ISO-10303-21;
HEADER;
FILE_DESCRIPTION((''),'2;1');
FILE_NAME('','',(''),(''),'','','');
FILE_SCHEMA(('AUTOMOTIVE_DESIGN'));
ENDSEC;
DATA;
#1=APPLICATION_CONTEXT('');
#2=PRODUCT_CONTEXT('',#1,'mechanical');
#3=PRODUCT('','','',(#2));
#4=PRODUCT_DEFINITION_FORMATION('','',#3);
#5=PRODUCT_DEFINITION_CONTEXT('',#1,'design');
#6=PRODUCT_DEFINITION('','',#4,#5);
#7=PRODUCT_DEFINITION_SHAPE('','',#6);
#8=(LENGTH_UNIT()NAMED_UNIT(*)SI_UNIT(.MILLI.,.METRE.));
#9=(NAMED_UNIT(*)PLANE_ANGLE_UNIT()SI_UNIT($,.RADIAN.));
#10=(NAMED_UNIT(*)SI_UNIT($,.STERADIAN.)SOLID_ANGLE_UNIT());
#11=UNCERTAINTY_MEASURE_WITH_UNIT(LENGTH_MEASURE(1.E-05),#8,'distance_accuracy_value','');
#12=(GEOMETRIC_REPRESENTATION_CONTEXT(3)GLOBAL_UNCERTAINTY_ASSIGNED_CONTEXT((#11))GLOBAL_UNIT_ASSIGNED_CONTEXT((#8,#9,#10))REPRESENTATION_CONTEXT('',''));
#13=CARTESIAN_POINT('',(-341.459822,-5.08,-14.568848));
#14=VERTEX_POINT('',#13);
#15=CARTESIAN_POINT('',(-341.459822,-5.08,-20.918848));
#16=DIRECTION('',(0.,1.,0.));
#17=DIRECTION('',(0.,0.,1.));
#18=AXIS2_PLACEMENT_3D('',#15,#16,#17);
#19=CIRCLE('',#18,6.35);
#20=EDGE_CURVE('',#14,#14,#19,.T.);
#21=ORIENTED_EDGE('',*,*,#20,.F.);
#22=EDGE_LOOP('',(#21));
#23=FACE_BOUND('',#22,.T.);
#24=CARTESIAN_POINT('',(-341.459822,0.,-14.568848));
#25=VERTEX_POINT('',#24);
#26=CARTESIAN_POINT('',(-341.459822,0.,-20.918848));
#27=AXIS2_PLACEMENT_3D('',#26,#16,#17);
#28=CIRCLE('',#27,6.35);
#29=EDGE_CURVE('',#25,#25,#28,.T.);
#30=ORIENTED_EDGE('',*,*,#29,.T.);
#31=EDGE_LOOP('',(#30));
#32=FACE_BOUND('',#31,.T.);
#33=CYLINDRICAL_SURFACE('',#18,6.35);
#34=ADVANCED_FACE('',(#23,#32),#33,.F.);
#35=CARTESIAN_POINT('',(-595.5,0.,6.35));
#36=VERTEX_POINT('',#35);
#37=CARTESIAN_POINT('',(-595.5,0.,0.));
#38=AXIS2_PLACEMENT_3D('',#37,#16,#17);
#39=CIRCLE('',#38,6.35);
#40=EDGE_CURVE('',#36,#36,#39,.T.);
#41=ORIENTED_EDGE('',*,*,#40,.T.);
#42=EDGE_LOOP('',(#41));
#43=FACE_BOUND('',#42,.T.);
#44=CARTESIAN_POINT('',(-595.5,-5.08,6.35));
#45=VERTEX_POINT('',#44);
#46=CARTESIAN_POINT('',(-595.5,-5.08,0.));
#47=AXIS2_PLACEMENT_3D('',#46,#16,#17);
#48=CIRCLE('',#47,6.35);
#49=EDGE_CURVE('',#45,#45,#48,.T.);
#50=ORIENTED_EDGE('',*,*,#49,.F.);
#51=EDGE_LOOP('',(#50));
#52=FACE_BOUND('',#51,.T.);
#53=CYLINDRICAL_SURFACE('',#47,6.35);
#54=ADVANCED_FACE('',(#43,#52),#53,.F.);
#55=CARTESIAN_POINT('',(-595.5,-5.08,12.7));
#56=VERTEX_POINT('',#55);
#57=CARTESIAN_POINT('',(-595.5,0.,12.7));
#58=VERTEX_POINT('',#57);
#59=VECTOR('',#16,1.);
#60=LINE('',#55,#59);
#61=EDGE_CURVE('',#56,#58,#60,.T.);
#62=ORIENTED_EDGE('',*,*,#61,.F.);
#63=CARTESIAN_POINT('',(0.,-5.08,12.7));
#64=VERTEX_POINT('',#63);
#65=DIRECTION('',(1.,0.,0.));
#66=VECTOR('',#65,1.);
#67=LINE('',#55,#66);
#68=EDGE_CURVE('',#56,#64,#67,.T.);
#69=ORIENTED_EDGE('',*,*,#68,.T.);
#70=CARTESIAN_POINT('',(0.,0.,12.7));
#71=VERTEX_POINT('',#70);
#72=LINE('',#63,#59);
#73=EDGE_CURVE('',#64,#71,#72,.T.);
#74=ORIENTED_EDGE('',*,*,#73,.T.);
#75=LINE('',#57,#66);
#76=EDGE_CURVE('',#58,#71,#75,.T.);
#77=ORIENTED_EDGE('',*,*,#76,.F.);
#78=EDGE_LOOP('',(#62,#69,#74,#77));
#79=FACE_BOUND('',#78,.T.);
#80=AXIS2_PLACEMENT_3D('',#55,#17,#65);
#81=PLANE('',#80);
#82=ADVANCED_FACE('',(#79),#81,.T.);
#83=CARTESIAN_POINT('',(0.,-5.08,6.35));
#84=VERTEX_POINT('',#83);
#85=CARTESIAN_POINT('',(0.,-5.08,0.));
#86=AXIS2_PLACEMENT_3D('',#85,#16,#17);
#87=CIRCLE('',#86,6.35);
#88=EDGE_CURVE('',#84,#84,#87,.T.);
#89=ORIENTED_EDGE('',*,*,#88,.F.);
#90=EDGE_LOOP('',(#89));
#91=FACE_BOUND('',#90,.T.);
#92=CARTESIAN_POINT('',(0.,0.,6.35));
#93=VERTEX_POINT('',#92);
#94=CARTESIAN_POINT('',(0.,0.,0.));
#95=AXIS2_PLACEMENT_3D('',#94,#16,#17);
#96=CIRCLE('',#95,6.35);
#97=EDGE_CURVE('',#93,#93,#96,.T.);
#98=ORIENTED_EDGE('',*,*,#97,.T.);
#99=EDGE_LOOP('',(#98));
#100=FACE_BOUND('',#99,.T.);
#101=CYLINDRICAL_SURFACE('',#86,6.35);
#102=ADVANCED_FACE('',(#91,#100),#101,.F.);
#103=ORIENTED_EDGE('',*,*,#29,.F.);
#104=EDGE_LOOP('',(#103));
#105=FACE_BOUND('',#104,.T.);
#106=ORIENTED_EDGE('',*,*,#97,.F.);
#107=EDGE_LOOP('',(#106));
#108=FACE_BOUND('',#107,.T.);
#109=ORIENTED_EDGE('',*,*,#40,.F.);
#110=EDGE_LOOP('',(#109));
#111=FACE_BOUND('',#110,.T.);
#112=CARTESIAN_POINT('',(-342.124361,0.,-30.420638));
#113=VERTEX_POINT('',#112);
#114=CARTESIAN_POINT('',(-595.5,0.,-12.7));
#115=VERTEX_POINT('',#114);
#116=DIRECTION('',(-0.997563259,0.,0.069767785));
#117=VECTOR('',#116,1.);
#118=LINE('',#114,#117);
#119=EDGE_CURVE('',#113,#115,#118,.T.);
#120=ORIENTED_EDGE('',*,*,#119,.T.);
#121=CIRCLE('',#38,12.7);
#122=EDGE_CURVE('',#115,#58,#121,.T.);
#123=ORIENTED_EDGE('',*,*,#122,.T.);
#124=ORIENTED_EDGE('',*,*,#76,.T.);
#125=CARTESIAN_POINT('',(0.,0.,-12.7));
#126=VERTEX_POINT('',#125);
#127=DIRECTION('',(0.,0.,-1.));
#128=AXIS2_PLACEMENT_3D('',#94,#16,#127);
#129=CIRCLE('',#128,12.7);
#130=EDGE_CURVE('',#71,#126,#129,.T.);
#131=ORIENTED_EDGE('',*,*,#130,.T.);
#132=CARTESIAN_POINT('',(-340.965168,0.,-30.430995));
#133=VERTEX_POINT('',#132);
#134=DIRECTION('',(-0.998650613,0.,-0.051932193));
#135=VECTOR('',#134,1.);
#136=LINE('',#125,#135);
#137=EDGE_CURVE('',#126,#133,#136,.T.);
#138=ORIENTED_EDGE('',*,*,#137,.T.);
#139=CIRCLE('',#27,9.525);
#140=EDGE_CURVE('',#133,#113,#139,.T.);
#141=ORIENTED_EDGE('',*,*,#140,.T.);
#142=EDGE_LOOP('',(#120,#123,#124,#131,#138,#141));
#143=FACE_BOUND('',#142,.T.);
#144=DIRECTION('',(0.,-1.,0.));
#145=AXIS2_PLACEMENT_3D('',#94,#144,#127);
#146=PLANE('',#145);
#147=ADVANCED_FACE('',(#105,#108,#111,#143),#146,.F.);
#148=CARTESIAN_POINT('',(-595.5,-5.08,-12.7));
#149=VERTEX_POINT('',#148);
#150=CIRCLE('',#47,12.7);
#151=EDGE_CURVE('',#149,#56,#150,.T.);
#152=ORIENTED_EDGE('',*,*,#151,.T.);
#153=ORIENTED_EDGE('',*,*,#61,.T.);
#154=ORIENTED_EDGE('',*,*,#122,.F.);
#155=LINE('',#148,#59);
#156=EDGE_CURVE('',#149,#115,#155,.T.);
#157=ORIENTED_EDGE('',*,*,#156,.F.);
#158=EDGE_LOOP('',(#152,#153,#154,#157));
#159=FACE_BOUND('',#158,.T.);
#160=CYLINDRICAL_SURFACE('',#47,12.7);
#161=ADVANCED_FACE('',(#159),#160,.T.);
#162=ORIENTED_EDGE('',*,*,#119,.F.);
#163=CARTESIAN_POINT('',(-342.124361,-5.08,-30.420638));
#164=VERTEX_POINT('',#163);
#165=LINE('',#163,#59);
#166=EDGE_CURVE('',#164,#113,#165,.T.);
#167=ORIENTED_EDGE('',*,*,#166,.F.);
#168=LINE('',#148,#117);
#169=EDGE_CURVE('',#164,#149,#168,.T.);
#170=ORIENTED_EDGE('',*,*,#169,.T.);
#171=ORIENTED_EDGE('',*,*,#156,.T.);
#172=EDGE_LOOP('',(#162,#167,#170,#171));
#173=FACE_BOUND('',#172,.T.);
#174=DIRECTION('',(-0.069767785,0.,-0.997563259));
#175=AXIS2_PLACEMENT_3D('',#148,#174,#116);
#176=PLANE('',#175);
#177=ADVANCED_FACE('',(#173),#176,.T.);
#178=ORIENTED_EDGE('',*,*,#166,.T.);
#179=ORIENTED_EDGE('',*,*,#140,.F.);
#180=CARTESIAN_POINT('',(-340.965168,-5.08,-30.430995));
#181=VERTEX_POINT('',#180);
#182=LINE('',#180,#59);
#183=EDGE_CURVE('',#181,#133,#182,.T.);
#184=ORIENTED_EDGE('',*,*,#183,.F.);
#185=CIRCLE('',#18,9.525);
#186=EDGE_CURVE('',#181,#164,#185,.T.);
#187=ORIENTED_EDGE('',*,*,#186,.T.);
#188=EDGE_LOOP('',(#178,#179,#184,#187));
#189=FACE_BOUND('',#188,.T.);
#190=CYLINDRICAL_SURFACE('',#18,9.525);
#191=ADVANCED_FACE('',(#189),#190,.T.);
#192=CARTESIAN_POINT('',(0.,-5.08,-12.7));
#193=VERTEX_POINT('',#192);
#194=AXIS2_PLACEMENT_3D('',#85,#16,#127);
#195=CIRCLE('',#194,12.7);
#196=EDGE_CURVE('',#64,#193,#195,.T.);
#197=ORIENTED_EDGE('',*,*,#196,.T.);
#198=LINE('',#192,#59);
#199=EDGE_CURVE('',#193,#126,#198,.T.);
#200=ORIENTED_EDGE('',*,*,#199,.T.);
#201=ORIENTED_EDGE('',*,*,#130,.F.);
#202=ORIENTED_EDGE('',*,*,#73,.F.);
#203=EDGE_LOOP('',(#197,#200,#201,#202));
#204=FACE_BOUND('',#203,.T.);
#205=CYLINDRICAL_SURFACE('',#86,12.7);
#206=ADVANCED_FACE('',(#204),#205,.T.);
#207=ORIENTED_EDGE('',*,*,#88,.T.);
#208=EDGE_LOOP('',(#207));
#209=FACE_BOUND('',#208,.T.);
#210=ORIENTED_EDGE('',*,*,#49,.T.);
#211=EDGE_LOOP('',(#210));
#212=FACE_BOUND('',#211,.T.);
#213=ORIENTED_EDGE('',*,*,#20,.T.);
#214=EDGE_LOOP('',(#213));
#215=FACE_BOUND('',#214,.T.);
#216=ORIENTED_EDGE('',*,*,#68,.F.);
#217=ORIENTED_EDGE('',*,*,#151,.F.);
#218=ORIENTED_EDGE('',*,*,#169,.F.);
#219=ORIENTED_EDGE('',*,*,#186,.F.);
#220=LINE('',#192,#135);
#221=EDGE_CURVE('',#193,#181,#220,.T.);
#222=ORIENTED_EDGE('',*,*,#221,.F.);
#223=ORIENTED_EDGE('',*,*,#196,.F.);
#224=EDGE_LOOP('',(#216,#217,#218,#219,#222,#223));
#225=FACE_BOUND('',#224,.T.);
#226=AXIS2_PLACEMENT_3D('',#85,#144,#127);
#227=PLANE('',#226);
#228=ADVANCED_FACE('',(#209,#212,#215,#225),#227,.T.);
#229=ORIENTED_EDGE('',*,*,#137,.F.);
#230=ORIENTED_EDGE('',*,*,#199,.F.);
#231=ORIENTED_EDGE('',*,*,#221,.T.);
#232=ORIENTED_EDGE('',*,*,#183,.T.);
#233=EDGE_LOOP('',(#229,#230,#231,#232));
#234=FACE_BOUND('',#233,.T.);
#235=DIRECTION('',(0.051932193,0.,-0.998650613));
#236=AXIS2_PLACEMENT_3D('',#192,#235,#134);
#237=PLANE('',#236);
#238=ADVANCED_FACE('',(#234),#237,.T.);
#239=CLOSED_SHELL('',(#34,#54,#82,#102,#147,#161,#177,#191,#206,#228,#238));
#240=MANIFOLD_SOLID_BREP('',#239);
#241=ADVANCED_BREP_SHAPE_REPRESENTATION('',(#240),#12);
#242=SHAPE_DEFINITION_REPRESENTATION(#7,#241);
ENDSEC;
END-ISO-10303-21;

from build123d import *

# Parameters (mm, degrees)
SKETCH2_R           = 6.35
BOSS_EXTRUDE1_DEPTH = 5.08


with BuildPart() as part:
    # Sketch2 → Boss-Extrude1 (new body)
    with BuildSketch(Plane(origin=(0, 0, 0), x_dir=(1, 0, 0), z_dir=(0, 1, 0))):
        with BuildLine():
            Line((-595.5, -12.7), (0, -12.7))
            ThreePointArc((0, -12.7), (12.7, 0), (0, 12.7))
            Line((0, 12.7), (-340.965168315, 30.430994835))
            ThreePointArc((-340.965168315, 30.430994835), (-341.544922169, 30.443467581), (-342.124360605, 30.420637788))
            Line((-342.124360605, 30.420637788), (-595.5, 12.7))
            ThreePointArc((-595.5, 12.7), (-608.2, 0), (-595.5, -12.7))
        make_face()
        with Locations(Location((0, 0, 0), (0, 0, 270))):
            Circle(SKETCH2_R, mode=Mode.SUBTRACT)
        with Locations(Location((-595.5, 0, 0), (0, 0, 270))):
            Circle(SKETCH2_R, mode=Mode.SUBTRACT)
        with Locations(Location((-341.459822451, 20.918847744, 0), (0, 0, 270))):
            Circle(SKETCH2_R, mode=Mode.SUBTRACT)
    extrude(amount=-BOSS_EXTRUDE1_DEPTH)


solid = part.part
